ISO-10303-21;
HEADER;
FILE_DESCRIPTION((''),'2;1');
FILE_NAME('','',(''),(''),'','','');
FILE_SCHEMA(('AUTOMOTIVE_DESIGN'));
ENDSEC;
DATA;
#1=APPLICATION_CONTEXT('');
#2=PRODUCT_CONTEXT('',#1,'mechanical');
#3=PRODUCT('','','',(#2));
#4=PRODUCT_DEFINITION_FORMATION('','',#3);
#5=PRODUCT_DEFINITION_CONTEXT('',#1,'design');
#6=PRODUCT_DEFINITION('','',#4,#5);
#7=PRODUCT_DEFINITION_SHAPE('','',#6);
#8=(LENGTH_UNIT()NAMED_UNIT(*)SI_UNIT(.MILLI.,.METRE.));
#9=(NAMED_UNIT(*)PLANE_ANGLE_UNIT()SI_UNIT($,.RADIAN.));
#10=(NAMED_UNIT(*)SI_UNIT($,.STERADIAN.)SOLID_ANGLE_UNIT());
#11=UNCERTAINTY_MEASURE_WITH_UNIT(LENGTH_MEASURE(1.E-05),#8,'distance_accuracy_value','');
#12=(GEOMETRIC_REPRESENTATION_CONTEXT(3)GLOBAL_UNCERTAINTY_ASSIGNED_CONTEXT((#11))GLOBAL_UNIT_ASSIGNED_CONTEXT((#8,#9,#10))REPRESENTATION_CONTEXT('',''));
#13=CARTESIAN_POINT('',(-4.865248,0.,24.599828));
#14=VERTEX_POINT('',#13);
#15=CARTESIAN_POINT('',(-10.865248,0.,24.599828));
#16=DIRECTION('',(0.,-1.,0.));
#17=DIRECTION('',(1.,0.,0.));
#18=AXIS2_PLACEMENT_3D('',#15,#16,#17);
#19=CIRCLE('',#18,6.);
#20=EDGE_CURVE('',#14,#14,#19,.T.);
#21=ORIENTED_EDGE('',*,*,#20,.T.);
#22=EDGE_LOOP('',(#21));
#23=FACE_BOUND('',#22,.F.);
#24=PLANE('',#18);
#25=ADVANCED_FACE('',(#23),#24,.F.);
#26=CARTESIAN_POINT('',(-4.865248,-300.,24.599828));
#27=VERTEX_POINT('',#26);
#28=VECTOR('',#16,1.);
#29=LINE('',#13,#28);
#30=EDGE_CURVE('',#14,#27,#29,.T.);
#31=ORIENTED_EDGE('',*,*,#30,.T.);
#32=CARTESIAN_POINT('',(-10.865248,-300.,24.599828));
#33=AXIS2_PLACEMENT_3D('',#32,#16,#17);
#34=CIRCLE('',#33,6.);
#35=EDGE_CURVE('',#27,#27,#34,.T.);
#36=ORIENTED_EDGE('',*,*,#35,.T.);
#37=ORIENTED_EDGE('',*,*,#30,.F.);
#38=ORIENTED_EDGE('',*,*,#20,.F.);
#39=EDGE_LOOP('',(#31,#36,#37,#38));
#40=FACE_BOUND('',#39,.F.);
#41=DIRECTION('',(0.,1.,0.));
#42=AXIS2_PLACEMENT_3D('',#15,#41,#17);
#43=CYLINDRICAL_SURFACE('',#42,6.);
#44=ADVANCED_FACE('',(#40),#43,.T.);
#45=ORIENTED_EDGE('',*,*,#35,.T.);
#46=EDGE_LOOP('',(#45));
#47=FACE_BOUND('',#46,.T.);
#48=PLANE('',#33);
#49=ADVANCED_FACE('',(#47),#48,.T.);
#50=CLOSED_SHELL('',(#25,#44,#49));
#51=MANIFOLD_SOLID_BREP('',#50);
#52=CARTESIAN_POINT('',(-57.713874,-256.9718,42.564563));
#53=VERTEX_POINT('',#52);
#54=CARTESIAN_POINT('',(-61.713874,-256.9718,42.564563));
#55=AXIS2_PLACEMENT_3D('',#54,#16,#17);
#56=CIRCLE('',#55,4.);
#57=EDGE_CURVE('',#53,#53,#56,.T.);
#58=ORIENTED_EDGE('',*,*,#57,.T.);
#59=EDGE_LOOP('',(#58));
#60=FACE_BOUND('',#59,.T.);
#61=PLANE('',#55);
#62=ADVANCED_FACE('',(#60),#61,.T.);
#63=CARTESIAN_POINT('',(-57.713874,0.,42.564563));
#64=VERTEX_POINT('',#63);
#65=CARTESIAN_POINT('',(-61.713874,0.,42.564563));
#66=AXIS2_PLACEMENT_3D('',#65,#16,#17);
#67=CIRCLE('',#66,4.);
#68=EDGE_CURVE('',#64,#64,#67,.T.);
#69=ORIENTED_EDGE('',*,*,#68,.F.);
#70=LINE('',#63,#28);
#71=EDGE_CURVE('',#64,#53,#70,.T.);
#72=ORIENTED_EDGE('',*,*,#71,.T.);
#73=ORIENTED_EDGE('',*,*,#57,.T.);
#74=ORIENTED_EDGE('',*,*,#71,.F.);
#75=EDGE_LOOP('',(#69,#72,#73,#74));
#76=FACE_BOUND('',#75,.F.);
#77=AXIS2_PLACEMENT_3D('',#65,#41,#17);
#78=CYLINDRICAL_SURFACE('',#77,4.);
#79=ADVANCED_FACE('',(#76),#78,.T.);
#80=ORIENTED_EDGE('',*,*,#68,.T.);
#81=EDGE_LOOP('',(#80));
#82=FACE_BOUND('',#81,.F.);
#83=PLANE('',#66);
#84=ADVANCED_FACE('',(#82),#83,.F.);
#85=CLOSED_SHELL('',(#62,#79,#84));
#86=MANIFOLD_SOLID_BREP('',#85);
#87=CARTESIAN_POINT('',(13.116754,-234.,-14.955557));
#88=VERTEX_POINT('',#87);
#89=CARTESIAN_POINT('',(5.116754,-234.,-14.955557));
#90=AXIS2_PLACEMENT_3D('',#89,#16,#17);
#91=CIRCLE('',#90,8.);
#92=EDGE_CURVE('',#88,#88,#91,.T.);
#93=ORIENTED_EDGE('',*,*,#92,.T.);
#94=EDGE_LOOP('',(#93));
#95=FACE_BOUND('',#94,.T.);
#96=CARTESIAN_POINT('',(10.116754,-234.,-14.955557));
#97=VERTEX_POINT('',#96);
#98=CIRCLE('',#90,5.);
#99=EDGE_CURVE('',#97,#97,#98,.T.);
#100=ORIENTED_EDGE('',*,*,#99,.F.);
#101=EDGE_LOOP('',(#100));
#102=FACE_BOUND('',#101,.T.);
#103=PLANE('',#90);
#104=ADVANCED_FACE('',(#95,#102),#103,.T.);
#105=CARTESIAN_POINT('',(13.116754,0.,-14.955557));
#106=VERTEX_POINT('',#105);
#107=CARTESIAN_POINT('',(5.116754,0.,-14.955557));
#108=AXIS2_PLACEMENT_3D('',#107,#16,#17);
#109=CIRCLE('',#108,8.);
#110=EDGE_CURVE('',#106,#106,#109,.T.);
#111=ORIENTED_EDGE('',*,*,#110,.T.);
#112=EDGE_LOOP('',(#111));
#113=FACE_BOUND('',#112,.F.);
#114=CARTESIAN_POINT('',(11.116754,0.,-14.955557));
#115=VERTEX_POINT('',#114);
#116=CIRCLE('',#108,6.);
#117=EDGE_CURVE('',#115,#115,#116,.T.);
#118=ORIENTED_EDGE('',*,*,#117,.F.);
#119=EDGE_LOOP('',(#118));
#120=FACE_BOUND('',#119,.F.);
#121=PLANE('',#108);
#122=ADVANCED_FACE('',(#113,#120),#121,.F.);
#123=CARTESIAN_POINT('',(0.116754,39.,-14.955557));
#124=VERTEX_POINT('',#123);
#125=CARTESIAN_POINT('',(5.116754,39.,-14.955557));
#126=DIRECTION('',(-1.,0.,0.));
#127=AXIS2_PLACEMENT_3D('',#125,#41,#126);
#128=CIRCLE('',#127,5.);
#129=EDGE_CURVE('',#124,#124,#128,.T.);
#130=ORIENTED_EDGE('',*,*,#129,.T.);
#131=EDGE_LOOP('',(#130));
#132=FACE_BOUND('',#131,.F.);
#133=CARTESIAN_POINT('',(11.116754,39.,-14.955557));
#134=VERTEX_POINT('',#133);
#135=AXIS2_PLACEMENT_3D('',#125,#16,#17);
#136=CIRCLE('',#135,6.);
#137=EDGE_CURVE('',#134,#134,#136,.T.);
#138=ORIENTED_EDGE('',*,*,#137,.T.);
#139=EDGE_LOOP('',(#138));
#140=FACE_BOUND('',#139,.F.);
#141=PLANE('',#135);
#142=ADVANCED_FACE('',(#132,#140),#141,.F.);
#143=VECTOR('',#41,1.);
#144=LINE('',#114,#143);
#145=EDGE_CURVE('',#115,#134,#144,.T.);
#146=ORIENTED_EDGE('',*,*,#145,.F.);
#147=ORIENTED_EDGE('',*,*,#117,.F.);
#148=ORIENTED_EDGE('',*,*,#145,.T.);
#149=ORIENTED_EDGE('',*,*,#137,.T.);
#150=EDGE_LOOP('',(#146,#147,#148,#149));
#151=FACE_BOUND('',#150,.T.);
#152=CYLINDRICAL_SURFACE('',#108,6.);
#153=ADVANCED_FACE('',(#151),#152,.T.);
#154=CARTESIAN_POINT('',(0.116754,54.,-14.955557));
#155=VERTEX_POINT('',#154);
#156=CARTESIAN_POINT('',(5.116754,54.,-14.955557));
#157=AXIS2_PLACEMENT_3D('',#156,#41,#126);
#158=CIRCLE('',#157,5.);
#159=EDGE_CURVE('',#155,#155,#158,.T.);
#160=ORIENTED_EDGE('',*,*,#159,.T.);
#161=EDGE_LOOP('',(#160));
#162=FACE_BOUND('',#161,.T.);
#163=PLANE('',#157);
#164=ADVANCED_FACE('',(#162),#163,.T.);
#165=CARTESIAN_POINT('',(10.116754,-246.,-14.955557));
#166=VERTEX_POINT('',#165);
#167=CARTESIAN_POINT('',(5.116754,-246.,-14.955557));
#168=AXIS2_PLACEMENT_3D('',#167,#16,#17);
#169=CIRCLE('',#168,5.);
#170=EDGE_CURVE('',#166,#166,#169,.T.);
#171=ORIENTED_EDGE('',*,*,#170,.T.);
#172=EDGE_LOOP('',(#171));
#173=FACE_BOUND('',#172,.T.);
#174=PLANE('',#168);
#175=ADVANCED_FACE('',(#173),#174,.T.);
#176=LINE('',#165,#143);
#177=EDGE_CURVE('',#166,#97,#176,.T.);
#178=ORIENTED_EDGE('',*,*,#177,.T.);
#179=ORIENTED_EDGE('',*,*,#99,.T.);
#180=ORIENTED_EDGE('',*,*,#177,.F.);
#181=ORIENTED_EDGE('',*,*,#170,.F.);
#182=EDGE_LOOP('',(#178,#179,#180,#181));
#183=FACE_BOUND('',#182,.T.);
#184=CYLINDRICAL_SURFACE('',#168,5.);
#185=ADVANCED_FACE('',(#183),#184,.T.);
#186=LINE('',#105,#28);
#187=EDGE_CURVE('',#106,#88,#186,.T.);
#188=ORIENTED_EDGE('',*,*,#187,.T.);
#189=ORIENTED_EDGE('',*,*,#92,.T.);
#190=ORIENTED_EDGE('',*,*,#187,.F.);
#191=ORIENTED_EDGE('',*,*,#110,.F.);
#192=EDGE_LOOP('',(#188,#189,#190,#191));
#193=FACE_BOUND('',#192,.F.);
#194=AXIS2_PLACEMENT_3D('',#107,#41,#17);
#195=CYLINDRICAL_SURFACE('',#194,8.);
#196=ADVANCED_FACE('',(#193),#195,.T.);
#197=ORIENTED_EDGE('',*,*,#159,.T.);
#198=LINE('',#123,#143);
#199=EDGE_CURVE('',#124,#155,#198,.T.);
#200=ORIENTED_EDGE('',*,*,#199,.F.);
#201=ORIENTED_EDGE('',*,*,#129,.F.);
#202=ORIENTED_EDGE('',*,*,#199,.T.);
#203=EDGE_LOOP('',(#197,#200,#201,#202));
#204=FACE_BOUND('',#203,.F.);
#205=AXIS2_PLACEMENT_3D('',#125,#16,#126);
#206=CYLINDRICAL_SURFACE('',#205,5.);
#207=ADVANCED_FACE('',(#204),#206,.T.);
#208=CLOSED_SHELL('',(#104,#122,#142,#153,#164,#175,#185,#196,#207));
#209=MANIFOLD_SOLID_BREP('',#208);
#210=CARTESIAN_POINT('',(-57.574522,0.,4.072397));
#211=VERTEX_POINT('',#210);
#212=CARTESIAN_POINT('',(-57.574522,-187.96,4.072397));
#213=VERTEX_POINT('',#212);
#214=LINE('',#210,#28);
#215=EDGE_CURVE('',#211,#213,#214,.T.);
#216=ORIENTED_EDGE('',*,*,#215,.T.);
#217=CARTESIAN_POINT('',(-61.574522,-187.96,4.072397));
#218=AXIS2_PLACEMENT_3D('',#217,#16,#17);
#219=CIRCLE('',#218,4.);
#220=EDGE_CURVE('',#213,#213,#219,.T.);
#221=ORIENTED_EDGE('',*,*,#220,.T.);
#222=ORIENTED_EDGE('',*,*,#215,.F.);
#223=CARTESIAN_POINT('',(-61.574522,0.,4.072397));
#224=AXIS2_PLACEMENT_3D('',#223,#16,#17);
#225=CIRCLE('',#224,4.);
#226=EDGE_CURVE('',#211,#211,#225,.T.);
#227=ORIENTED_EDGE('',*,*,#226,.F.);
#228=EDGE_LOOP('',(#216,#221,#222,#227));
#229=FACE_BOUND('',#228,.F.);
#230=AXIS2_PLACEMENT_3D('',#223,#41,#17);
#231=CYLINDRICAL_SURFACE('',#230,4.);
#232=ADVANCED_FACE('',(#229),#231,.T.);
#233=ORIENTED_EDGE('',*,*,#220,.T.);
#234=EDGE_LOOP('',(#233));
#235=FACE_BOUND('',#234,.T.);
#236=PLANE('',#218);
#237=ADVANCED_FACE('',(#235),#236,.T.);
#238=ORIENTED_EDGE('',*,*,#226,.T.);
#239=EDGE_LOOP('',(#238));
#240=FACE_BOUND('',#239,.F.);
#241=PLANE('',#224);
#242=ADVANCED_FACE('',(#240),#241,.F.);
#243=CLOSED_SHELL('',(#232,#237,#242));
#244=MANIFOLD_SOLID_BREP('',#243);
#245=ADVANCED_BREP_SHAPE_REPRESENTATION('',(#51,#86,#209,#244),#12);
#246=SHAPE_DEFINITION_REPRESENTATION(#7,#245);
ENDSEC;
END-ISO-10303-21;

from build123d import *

# Parameters (mm, degrees)
F0_R      = 4
F1_DEPTH  = 256.9718
F2_DEPTH  = 187.96
F0_R_2    = 6
F3_DEPTH  = 300
F0_R_3    = 8
F4_DEPTH  = 246
F5_R      = 8
F5_R_2    = 5
F6_DEPTH  = 12
F7_R      = 6
F8_DEPTH  = 39
F9_R      = 5
F10_DEPTH = 15


with BuildPart() as f1:
    # F0 (on Front) → F1 (new body)
    with BuildSketch(Plane.XZ):
        with Locations((-61.713874, 42.564563)):
            Circle(F0_R)
    extrude(amount=F1_DEPTH)


with BuildPart() as f2:
    # F0 (on Front) → F2 (new body)
    with BuildSketch(Plane.XZ):
        with Locations((-61.574522, 4.072397)):
            Circle(F0_R)
    extrude(amount=F2_DEPTH)


with BuildPart() as f3:
    # F0 (on Front) → F3 (new body)
    with BuildSketch(Plane.XZ):
        with Locations((-10.865248, 24.599828)):
            Circle(F0_R_2)
    extrude(amount=F3_DEPTH)


with BuildPart() as f4:
    # F0 (on Front) → F4 (new body)
    with BuildSketch(Plane.XZ):
        with Locations((5.116754, -14.955557)):
            Circle(F0_R_3)
    extrude(amount=F4_DEPTH)

    # F5 (on face) → F6 (cut)
    with BuildSketch(Plane.XZ.offset(246)):
        with Locations((5.116754, -14.955557)):
            Circle(F5_R)
        with Locations((5.116754, -14.955557)):
            Circle(F5_R_2, mode=Mode.SUBTRACT)
    extrude(amount=-F6_DEPTH, mode=Mode.SUBTRACT)

    # F7 (on face) → F8 (join)
    with BuildSketch(Plane.XZ):
        with Locations((5.116754, -14.955557)):
            Circle(F7_R)
    extrude(amount=-F8_DEPTH)

    # F9 (on face) → F10 (join)
    with BuildSketch(Plane(origin=(0, 39, 0), x_dir=(-1, 0, 0), z_dir=(0, 1, 0))):
        with Locations((-5.116754, -14.955557)):
            Circle(F9_R)
    extrude(amount=F10_DEPTH)


solid = Compound([f1.part, f2.part, f3.part, f4.part])
